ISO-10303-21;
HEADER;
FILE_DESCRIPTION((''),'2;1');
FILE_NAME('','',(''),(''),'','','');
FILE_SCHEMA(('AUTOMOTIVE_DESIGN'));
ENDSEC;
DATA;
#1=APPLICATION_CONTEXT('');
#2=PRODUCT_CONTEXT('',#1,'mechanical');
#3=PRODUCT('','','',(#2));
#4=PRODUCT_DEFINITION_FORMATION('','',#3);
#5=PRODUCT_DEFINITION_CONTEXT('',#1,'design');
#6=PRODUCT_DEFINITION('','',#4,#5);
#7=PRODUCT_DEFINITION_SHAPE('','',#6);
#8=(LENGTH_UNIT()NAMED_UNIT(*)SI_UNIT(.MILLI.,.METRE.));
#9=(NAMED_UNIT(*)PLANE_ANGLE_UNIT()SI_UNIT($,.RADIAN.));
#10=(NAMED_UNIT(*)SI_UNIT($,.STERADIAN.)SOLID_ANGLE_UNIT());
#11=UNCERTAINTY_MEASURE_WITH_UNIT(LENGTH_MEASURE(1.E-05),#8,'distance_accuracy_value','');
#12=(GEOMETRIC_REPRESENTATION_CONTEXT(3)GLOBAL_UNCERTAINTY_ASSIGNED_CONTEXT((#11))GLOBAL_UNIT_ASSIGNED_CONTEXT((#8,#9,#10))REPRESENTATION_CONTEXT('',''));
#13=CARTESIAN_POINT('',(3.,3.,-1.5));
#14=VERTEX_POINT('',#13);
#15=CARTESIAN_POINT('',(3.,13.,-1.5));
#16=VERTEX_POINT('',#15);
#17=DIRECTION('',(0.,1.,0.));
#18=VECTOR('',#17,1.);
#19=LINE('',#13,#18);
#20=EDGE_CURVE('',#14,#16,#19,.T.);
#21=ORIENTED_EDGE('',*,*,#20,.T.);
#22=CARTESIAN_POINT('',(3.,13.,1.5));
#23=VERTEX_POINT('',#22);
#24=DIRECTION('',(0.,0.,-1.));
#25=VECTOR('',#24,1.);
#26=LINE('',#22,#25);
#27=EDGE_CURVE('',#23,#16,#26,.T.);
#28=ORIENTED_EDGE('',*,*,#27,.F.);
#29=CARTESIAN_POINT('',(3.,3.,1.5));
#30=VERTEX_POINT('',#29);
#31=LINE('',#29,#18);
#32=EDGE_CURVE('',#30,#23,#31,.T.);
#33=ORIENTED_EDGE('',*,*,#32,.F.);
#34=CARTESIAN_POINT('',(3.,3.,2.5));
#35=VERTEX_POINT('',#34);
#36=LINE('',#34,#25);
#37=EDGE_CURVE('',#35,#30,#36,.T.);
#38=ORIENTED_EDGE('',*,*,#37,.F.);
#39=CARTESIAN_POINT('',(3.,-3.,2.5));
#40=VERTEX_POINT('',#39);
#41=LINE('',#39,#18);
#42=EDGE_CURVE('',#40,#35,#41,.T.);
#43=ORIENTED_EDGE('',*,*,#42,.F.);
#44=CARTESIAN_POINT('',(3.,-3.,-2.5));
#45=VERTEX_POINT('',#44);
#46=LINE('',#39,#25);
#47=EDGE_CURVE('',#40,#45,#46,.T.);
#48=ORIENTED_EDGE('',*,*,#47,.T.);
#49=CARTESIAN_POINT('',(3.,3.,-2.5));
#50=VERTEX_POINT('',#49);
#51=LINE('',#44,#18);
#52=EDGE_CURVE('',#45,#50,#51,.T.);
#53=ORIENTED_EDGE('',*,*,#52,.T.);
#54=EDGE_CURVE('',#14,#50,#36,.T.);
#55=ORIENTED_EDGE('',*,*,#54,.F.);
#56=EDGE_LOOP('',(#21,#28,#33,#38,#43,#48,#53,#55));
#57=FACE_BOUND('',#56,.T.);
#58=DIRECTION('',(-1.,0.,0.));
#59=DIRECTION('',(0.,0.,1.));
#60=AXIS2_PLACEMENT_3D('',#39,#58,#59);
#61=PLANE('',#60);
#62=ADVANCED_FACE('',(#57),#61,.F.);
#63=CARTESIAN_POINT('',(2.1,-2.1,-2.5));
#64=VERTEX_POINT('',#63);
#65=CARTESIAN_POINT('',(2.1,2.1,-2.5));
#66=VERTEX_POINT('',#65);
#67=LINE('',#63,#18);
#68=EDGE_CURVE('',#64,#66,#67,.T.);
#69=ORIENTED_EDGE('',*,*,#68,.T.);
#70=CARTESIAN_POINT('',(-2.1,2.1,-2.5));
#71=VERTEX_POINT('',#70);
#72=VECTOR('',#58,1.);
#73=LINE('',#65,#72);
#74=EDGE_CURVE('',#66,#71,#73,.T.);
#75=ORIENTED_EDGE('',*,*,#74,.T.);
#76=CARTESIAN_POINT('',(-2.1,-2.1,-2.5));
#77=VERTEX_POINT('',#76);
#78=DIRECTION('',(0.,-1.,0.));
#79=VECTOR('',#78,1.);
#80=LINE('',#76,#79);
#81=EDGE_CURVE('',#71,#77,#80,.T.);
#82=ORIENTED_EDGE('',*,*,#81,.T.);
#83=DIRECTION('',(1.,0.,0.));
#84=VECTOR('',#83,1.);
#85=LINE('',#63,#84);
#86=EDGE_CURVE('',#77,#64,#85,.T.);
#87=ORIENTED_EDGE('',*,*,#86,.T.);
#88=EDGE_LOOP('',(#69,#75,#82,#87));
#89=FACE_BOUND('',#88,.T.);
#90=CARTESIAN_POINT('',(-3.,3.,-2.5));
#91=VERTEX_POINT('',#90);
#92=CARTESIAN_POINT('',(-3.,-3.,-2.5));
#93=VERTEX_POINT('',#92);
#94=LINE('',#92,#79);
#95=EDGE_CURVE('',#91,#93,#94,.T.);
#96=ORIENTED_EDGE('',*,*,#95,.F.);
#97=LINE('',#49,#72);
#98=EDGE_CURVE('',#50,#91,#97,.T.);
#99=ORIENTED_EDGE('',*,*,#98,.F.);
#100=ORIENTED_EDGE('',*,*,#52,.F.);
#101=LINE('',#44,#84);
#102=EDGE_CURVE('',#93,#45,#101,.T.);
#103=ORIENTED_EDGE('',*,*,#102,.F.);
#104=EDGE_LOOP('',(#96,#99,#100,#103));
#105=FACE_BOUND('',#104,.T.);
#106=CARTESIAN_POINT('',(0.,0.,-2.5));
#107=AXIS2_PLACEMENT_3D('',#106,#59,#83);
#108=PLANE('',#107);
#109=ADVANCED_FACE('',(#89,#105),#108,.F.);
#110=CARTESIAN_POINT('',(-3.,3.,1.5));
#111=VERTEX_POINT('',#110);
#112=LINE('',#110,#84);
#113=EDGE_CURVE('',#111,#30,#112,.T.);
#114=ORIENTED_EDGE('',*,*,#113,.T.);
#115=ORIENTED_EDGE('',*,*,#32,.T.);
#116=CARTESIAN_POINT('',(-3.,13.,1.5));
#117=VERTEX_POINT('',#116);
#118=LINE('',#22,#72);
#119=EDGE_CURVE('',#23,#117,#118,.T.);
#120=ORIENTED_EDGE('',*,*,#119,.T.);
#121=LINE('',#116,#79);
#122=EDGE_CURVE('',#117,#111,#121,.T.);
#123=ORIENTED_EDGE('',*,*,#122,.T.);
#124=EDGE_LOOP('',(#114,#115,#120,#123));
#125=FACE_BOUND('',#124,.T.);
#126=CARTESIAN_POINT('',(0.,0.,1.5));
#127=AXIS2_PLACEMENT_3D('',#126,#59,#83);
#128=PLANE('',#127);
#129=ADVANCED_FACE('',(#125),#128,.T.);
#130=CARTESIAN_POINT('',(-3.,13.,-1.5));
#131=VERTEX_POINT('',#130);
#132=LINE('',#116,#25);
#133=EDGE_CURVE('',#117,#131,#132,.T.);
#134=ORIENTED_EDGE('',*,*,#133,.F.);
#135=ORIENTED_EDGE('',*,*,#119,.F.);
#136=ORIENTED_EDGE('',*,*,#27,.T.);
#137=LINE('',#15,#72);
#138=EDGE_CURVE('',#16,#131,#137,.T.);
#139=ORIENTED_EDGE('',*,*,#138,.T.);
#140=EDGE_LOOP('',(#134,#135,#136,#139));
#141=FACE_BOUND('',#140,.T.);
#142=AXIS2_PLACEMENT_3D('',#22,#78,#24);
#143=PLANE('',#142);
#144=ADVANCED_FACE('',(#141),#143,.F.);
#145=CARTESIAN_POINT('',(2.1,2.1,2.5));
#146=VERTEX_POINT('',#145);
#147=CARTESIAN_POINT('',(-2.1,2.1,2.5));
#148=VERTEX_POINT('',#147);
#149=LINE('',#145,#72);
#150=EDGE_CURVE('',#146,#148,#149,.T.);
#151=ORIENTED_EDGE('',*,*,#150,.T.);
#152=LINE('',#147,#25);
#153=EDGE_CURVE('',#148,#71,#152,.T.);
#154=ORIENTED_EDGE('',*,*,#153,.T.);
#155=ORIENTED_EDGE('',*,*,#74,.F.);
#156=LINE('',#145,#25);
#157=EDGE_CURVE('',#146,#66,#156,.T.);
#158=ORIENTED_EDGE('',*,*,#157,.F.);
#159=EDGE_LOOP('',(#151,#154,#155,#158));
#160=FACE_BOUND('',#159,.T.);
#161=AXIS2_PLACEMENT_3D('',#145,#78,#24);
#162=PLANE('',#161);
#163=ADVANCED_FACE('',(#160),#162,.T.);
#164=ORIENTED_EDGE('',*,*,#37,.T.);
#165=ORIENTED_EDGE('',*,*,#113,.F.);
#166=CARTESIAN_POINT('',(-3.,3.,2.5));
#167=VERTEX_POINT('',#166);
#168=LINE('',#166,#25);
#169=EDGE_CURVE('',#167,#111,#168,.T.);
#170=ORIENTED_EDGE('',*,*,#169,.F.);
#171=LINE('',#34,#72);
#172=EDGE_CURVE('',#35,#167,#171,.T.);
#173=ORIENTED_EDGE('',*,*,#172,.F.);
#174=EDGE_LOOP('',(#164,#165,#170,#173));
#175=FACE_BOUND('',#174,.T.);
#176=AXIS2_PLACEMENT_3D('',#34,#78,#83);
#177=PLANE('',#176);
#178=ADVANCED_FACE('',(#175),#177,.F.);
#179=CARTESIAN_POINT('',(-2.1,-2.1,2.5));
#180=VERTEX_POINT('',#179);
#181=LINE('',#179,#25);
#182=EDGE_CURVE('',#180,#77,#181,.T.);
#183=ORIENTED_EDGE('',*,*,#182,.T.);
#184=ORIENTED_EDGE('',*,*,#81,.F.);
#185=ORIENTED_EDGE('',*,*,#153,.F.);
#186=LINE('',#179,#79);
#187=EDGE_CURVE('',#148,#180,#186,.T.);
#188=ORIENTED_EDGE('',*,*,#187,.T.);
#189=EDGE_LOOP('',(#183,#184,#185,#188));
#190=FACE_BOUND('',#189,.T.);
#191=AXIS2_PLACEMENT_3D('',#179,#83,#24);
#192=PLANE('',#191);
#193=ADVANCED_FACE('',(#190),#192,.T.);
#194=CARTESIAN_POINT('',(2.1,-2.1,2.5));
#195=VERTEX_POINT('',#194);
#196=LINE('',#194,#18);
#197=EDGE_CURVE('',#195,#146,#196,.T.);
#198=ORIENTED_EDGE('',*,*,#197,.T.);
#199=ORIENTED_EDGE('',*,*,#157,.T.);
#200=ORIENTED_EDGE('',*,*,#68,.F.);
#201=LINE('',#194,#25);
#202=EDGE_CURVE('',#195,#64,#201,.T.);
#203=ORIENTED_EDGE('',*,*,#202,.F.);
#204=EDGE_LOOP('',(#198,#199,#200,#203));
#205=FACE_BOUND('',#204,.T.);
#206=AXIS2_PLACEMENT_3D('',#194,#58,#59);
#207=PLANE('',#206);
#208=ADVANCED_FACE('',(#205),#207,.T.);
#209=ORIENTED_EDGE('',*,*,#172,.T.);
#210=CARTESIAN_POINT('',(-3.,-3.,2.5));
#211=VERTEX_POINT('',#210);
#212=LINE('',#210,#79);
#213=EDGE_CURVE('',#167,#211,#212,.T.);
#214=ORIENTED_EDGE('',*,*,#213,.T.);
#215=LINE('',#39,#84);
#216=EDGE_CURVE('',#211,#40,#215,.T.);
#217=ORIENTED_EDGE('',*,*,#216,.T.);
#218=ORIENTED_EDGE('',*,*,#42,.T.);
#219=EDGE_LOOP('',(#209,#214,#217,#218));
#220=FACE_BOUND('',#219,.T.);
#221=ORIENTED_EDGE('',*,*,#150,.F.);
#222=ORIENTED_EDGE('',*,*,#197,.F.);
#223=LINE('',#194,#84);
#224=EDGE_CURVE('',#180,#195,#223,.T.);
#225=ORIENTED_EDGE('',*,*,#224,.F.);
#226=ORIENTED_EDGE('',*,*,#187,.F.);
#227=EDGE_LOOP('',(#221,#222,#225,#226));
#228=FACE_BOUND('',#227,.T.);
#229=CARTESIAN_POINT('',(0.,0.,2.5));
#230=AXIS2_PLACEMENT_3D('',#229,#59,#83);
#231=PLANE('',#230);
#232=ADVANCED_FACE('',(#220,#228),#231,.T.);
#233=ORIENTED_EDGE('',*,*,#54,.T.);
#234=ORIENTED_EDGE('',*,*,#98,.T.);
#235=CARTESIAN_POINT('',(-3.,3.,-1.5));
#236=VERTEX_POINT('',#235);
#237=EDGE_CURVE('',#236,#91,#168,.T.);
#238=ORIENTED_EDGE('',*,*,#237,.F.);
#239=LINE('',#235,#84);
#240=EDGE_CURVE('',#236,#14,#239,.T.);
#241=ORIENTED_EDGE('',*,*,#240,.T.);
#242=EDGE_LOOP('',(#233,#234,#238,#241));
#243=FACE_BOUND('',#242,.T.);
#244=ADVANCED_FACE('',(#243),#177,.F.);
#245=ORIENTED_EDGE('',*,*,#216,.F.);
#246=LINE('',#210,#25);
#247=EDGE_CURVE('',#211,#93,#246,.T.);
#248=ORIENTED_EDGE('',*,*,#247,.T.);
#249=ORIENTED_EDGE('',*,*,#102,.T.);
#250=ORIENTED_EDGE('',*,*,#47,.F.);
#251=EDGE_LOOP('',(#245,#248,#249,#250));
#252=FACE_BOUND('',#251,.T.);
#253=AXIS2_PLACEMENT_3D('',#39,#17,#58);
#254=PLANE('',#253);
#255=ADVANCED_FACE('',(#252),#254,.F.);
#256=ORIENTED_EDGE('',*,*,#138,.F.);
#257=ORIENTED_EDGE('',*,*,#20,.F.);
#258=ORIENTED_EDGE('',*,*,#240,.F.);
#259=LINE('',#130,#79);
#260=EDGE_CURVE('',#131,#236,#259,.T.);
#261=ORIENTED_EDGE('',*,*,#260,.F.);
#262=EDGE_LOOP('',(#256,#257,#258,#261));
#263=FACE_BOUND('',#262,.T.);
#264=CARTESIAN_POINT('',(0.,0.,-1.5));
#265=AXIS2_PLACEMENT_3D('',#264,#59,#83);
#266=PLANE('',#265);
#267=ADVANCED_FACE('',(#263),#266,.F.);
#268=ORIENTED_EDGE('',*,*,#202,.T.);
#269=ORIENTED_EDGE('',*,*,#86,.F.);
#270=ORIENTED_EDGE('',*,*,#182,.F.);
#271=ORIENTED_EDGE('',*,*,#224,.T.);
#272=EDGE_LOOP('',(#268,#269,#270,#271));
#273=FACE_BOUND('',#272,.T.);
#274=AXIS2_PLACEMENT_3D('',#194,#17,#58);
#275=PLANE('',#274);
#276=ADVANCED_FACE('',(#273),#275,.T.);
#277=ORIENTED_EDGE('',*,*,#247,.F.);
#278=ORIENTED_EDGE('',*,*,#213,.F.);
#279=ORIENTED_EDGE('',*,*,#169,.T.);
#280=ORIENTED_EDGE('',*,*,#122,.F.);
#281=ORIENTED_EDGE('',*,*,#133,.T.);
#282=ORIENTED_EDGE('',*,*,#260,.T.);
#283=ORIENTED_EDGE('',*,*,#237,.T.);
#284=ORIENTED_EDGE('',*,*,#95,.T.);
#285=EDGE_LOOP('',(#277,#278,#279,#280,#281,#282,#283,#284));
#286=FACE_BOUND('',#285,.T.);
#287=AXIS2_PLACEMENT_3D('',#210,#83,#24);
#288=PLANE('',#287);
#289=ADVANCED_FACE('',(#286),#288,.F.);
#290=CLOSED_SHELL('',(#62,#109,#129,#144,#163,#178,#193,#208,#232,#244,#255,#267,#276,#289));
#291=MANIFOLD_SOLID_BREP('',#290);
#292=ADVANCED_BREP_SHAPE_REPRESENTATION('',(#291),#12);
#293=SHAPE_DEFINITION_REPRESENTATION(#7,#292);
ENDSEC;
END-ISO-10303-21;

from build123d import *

# Parameters (mm, degrees)
SKETCH1_W           = 6
SKETCH1_H           = 6
SKETCH1_W_2         = 4.2
SKETCH1_H_2         = 4.2
BOSS_EXTRUDE1_DEPTH = 2.5
SKETCH2_W           = 6
SKETCH2_H           = 10
BOSS_EXTRUDE2_DEPTH = 1.5


with BuildPart() as part:
    # Sketch1 → Boss-Extrude1 (new, symmetric)
    with BuildSketch(Plane.XY):
        Rectangle(SKETCH1_W, SKETCH1_H)
        Rectangle(SKETCH1_W_2, SKETCH1_H_2, mode=Mode.SUBTRACT)
    extrude(amount=BOSS_EXTRUDE1_DEPTH, both=True)

    # Sketch2 → Boss-Extrude2 (add, symmetric)
    with BuildSketch(Plane.XY):
        with Locations((0, 8)):
            Rectangle(SKETCH2_W, SKETCH2_H)
    extrude(amount=BOSS_EXTRUDE2_DEPTH, both=True)


solid = part.part
